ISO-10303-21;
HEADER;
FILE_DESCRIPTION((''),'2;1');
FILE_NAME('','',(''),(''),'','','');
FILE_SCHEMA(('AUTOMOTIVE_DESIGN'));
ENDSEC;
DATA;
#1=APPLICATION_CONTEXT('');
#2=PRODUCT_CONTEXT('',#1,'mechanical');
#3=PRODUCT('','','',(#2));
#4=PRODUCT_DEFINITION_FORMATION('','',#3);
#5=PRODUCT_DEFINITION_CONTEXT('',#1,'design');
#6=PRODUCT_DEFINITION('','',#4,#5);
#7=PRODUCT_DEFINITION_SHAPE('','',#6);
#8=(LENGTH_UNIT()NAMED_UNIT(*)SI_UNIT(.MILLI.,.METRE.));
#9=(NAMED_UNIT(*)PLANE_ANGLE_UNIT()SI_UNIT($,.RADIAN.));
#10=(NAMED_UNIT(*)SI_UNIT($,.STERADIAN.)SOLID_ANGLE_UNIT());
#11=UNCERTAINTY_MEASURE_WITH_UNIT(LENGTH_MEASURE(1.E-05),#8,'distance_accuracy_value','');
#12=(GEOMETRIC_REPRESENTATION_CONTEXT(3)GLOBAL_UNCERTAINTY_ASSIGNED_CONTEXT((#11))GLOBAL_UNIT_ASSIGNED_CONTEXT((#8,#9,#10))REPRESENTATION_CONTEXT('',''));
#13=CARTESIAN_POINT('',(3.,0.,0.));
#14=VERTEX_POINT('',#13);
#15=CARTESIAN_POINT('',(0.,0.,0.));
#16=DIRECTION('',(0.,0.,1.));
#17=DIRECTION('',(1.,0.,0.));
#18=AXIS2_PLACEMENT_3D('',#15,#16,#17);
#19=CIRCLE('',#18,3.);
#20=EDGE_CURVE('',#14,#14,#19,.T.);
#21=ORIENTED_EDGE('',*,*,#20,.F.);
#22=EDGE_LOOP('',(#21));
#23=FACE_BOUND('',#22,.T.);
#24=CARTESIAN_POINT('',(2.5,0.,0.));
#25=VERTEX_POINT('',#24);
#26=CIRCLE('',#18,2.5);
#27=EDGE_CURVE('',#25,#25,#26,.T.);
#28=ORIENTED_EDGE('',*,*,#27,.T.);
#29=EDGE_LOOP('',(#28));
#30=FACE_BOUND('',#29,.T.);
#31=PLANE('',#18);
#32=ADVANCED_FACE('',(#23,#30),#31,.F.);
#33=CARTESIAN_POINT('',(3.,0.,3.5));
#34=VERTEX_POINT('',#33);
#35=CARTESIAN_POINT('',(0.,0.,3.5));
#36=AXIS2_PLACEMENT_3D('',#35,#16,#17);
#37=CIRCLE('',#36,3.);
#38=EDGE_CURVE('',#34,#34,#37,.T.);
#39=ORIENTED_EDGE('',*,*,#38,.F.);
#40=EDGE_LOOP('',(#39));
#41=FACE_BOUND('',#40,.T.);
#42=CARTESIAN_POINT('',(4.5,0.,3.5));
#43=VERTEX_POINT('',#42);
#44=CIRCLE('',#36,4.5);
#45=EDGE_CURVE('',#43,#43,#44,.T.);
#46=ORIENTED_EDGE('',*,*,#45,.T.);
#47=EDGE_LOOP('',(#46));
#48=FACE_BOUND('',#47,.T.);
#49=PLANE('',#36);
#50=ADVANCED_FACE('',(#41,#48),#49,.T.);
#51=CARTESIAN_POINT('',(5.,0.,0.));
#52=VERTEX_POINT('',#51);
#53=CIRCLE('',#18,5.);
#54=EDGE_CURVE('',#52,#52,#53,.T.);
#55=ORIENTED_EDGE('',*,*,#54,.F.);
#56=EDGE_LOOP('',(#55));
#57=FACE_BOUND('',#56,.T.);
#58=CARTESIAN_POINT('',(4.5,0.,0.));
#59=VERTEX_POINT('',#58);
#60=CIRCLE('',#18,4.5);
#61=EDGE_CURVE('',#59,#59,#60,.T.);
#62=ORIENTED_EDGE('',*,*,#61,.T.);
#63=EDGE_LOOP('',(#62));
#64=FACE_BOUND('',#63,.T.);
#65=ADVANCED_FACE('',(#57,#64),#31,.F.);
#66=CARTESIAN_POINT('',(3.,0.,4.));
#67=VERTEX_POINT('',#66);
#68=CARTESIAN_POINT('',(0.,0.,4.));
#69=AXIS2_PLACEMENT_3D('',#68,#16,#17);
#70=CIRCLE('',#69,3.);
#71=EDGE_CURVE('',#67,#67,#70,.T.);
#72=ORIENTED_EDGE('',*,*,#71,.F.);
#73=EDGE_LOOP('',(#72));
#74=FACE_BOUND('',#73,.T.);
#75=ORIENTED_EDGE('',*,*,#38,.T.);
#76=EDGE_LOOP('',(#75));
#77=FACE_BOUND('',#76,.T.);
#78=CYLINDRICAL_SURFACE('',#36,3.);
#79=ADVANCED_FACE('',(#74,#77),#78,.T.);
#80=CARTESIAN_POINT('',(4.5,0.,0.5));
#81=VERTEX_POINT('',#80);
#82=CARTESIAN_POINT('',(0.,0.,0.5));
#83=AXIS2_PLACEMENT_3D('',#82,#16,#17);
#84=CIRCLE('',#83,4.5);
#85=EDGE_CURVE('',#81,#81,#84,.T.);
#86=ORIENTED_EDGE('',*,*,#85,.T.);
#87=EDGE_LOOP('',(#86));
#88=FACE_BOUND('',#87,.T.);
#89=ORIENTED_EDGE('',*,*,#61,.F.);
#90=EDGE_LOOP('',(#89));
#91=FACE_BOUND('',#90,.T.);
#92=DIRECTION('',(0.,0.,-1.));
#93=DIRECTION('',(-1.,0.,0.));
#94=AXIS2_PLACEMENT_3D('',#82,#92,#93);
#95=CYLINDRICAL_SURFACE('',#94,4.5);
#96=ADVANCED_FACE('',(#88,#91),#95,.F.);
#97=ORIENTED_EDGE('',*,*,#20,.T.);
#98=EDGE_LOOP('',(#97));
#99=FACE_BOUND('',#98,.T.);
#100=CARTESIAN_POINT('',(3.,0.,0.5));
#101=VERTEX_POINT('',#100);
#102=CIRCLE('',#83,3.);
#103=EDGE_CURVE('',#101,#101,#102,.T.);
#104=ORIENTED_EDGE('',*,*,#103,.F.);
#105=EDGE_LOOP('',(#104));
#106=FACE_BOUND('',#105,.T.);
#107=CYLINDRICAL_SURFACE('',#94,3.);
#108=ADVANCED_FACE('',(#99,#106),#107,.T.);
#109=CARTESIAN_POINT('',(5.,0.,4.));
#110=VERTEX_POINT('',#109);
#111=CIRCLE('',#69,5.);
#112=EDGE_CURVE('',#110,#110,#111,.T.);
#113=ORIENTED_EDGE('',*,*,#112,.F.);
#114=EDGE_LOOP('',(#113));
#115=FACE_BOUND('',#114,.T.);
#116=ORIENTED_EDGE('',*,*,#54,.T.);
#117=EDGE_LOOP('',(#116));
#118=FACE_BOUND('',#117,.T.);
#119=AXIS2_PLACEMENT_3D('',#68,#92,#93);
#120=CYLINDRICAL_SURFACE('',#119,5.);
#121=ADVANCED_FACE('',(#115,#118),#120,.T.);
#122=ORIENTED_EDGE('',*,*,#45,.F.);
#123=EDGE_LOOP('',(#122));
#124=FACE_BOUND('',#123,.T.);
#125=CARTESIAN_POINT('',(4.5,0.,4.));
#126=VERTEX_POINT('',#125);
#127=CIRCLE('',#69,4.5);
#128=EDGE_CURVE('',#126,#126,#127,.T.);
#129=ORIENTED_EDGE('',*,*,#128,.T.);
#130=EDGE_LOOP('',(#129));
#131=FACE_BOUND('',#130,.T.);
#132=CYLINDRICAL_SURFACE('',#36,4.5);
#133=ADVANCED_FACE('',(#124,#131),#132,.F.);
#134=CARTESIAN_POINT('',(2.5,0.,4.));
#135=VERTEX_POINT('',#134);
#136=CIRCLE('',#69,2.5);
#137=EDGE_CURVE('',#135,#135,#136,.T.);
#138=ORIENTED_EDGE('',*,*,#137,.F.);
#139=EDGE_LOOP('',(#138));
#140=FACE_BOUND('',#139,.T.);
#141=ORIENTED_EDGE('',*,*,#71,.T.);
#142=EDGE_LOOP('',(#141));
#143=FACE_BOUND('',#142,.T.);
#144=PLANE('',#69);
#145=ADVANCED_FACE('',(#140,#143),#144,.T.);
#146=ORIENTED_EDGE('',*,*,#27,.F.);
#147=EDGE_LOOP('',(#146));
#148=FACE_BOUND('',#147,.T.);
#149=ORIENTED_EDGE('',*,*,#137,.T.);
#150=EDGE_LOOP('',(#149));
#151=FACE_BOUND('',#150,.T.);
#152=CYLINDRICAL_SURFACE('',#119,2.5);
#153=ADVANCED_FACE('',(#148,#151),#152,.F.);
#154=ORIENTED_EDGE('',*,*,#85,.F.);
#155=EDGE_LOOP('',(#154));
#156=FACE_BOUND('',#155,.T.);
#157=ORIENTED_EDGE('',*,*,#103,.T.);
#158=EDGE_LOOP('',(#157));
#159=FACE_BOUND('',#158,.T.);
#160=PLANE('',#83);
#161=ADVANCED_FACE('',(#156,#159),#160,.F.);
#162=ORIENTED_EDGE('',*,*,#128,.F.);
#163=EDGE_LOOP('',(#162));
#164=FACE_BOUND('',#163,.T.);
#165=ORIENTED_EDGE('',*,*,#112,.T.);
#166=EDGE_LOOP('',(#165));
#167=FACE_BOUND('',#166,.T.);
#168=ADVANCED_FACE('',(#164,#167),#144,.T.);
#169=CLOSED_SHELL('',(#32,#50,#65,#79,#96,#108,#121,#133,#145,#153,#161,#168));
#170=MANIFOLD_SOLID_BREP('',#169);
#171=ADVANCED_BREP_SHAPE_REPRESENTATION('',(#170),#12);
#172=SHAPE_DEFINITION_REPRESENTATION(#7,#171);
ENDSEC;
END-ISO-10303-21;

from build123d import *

# Parameters (mm, degrees)
SKETCH_2_R          = 5
SKETCH_2_R_2        = 2.5
EXTRUDE_1_DEPTH     = 4
SKETCH_3_R          = 4.5
SKETCH_3_R_2        = 3
CUT_EXTRUDE_1_DEPTH = 0.5
CUT_EXTRUDE_START   = -4
SKETCH_3_2_R        = 4.5
SKETCH_3_2_R_2      = 3
CUT_EXTRUDE_2_DEPTH = 0.5


with BuildPart() as part:
    # 草图2 → 凸台-拉伸1 (new body)
    with BuildSketch(Plane.XY):
        Circle(SKETCH_2_R)
        Circle(SKETCH_2_R_2, mode=Mode.SUBTRACT)
    extrude(amount=EXTRUDE_1_DEPTH)

    # 草图3 → 切除-拉伸1 (cut)
    with BuildSketch(Plane.XY.offset(4)):
        Circle(SKETCH_3_R)
        Circle(SKETCH_3_R_2, mode=Mode.SUBTRACT)
    extrude(amount=-CUT_EXTRUDE_1_DEPTH, mode=Mode.SUBTRACT)

    # 草图3<2> → 切除-拉伸2 (cut)
    with BuildSketch(Plane.XY.offset(4).offset(CUT_EXTRUDE_START)):
        Circle(SKETCH_3_2_R)
        Circle(SKETCH_3_2_R_2, mode=Mode.SUBTRACT)
    extrude(amount=CUT_EXTRUDE_2_DEPTH, mode=Mode.SUBTRACT)


solid = part.part
